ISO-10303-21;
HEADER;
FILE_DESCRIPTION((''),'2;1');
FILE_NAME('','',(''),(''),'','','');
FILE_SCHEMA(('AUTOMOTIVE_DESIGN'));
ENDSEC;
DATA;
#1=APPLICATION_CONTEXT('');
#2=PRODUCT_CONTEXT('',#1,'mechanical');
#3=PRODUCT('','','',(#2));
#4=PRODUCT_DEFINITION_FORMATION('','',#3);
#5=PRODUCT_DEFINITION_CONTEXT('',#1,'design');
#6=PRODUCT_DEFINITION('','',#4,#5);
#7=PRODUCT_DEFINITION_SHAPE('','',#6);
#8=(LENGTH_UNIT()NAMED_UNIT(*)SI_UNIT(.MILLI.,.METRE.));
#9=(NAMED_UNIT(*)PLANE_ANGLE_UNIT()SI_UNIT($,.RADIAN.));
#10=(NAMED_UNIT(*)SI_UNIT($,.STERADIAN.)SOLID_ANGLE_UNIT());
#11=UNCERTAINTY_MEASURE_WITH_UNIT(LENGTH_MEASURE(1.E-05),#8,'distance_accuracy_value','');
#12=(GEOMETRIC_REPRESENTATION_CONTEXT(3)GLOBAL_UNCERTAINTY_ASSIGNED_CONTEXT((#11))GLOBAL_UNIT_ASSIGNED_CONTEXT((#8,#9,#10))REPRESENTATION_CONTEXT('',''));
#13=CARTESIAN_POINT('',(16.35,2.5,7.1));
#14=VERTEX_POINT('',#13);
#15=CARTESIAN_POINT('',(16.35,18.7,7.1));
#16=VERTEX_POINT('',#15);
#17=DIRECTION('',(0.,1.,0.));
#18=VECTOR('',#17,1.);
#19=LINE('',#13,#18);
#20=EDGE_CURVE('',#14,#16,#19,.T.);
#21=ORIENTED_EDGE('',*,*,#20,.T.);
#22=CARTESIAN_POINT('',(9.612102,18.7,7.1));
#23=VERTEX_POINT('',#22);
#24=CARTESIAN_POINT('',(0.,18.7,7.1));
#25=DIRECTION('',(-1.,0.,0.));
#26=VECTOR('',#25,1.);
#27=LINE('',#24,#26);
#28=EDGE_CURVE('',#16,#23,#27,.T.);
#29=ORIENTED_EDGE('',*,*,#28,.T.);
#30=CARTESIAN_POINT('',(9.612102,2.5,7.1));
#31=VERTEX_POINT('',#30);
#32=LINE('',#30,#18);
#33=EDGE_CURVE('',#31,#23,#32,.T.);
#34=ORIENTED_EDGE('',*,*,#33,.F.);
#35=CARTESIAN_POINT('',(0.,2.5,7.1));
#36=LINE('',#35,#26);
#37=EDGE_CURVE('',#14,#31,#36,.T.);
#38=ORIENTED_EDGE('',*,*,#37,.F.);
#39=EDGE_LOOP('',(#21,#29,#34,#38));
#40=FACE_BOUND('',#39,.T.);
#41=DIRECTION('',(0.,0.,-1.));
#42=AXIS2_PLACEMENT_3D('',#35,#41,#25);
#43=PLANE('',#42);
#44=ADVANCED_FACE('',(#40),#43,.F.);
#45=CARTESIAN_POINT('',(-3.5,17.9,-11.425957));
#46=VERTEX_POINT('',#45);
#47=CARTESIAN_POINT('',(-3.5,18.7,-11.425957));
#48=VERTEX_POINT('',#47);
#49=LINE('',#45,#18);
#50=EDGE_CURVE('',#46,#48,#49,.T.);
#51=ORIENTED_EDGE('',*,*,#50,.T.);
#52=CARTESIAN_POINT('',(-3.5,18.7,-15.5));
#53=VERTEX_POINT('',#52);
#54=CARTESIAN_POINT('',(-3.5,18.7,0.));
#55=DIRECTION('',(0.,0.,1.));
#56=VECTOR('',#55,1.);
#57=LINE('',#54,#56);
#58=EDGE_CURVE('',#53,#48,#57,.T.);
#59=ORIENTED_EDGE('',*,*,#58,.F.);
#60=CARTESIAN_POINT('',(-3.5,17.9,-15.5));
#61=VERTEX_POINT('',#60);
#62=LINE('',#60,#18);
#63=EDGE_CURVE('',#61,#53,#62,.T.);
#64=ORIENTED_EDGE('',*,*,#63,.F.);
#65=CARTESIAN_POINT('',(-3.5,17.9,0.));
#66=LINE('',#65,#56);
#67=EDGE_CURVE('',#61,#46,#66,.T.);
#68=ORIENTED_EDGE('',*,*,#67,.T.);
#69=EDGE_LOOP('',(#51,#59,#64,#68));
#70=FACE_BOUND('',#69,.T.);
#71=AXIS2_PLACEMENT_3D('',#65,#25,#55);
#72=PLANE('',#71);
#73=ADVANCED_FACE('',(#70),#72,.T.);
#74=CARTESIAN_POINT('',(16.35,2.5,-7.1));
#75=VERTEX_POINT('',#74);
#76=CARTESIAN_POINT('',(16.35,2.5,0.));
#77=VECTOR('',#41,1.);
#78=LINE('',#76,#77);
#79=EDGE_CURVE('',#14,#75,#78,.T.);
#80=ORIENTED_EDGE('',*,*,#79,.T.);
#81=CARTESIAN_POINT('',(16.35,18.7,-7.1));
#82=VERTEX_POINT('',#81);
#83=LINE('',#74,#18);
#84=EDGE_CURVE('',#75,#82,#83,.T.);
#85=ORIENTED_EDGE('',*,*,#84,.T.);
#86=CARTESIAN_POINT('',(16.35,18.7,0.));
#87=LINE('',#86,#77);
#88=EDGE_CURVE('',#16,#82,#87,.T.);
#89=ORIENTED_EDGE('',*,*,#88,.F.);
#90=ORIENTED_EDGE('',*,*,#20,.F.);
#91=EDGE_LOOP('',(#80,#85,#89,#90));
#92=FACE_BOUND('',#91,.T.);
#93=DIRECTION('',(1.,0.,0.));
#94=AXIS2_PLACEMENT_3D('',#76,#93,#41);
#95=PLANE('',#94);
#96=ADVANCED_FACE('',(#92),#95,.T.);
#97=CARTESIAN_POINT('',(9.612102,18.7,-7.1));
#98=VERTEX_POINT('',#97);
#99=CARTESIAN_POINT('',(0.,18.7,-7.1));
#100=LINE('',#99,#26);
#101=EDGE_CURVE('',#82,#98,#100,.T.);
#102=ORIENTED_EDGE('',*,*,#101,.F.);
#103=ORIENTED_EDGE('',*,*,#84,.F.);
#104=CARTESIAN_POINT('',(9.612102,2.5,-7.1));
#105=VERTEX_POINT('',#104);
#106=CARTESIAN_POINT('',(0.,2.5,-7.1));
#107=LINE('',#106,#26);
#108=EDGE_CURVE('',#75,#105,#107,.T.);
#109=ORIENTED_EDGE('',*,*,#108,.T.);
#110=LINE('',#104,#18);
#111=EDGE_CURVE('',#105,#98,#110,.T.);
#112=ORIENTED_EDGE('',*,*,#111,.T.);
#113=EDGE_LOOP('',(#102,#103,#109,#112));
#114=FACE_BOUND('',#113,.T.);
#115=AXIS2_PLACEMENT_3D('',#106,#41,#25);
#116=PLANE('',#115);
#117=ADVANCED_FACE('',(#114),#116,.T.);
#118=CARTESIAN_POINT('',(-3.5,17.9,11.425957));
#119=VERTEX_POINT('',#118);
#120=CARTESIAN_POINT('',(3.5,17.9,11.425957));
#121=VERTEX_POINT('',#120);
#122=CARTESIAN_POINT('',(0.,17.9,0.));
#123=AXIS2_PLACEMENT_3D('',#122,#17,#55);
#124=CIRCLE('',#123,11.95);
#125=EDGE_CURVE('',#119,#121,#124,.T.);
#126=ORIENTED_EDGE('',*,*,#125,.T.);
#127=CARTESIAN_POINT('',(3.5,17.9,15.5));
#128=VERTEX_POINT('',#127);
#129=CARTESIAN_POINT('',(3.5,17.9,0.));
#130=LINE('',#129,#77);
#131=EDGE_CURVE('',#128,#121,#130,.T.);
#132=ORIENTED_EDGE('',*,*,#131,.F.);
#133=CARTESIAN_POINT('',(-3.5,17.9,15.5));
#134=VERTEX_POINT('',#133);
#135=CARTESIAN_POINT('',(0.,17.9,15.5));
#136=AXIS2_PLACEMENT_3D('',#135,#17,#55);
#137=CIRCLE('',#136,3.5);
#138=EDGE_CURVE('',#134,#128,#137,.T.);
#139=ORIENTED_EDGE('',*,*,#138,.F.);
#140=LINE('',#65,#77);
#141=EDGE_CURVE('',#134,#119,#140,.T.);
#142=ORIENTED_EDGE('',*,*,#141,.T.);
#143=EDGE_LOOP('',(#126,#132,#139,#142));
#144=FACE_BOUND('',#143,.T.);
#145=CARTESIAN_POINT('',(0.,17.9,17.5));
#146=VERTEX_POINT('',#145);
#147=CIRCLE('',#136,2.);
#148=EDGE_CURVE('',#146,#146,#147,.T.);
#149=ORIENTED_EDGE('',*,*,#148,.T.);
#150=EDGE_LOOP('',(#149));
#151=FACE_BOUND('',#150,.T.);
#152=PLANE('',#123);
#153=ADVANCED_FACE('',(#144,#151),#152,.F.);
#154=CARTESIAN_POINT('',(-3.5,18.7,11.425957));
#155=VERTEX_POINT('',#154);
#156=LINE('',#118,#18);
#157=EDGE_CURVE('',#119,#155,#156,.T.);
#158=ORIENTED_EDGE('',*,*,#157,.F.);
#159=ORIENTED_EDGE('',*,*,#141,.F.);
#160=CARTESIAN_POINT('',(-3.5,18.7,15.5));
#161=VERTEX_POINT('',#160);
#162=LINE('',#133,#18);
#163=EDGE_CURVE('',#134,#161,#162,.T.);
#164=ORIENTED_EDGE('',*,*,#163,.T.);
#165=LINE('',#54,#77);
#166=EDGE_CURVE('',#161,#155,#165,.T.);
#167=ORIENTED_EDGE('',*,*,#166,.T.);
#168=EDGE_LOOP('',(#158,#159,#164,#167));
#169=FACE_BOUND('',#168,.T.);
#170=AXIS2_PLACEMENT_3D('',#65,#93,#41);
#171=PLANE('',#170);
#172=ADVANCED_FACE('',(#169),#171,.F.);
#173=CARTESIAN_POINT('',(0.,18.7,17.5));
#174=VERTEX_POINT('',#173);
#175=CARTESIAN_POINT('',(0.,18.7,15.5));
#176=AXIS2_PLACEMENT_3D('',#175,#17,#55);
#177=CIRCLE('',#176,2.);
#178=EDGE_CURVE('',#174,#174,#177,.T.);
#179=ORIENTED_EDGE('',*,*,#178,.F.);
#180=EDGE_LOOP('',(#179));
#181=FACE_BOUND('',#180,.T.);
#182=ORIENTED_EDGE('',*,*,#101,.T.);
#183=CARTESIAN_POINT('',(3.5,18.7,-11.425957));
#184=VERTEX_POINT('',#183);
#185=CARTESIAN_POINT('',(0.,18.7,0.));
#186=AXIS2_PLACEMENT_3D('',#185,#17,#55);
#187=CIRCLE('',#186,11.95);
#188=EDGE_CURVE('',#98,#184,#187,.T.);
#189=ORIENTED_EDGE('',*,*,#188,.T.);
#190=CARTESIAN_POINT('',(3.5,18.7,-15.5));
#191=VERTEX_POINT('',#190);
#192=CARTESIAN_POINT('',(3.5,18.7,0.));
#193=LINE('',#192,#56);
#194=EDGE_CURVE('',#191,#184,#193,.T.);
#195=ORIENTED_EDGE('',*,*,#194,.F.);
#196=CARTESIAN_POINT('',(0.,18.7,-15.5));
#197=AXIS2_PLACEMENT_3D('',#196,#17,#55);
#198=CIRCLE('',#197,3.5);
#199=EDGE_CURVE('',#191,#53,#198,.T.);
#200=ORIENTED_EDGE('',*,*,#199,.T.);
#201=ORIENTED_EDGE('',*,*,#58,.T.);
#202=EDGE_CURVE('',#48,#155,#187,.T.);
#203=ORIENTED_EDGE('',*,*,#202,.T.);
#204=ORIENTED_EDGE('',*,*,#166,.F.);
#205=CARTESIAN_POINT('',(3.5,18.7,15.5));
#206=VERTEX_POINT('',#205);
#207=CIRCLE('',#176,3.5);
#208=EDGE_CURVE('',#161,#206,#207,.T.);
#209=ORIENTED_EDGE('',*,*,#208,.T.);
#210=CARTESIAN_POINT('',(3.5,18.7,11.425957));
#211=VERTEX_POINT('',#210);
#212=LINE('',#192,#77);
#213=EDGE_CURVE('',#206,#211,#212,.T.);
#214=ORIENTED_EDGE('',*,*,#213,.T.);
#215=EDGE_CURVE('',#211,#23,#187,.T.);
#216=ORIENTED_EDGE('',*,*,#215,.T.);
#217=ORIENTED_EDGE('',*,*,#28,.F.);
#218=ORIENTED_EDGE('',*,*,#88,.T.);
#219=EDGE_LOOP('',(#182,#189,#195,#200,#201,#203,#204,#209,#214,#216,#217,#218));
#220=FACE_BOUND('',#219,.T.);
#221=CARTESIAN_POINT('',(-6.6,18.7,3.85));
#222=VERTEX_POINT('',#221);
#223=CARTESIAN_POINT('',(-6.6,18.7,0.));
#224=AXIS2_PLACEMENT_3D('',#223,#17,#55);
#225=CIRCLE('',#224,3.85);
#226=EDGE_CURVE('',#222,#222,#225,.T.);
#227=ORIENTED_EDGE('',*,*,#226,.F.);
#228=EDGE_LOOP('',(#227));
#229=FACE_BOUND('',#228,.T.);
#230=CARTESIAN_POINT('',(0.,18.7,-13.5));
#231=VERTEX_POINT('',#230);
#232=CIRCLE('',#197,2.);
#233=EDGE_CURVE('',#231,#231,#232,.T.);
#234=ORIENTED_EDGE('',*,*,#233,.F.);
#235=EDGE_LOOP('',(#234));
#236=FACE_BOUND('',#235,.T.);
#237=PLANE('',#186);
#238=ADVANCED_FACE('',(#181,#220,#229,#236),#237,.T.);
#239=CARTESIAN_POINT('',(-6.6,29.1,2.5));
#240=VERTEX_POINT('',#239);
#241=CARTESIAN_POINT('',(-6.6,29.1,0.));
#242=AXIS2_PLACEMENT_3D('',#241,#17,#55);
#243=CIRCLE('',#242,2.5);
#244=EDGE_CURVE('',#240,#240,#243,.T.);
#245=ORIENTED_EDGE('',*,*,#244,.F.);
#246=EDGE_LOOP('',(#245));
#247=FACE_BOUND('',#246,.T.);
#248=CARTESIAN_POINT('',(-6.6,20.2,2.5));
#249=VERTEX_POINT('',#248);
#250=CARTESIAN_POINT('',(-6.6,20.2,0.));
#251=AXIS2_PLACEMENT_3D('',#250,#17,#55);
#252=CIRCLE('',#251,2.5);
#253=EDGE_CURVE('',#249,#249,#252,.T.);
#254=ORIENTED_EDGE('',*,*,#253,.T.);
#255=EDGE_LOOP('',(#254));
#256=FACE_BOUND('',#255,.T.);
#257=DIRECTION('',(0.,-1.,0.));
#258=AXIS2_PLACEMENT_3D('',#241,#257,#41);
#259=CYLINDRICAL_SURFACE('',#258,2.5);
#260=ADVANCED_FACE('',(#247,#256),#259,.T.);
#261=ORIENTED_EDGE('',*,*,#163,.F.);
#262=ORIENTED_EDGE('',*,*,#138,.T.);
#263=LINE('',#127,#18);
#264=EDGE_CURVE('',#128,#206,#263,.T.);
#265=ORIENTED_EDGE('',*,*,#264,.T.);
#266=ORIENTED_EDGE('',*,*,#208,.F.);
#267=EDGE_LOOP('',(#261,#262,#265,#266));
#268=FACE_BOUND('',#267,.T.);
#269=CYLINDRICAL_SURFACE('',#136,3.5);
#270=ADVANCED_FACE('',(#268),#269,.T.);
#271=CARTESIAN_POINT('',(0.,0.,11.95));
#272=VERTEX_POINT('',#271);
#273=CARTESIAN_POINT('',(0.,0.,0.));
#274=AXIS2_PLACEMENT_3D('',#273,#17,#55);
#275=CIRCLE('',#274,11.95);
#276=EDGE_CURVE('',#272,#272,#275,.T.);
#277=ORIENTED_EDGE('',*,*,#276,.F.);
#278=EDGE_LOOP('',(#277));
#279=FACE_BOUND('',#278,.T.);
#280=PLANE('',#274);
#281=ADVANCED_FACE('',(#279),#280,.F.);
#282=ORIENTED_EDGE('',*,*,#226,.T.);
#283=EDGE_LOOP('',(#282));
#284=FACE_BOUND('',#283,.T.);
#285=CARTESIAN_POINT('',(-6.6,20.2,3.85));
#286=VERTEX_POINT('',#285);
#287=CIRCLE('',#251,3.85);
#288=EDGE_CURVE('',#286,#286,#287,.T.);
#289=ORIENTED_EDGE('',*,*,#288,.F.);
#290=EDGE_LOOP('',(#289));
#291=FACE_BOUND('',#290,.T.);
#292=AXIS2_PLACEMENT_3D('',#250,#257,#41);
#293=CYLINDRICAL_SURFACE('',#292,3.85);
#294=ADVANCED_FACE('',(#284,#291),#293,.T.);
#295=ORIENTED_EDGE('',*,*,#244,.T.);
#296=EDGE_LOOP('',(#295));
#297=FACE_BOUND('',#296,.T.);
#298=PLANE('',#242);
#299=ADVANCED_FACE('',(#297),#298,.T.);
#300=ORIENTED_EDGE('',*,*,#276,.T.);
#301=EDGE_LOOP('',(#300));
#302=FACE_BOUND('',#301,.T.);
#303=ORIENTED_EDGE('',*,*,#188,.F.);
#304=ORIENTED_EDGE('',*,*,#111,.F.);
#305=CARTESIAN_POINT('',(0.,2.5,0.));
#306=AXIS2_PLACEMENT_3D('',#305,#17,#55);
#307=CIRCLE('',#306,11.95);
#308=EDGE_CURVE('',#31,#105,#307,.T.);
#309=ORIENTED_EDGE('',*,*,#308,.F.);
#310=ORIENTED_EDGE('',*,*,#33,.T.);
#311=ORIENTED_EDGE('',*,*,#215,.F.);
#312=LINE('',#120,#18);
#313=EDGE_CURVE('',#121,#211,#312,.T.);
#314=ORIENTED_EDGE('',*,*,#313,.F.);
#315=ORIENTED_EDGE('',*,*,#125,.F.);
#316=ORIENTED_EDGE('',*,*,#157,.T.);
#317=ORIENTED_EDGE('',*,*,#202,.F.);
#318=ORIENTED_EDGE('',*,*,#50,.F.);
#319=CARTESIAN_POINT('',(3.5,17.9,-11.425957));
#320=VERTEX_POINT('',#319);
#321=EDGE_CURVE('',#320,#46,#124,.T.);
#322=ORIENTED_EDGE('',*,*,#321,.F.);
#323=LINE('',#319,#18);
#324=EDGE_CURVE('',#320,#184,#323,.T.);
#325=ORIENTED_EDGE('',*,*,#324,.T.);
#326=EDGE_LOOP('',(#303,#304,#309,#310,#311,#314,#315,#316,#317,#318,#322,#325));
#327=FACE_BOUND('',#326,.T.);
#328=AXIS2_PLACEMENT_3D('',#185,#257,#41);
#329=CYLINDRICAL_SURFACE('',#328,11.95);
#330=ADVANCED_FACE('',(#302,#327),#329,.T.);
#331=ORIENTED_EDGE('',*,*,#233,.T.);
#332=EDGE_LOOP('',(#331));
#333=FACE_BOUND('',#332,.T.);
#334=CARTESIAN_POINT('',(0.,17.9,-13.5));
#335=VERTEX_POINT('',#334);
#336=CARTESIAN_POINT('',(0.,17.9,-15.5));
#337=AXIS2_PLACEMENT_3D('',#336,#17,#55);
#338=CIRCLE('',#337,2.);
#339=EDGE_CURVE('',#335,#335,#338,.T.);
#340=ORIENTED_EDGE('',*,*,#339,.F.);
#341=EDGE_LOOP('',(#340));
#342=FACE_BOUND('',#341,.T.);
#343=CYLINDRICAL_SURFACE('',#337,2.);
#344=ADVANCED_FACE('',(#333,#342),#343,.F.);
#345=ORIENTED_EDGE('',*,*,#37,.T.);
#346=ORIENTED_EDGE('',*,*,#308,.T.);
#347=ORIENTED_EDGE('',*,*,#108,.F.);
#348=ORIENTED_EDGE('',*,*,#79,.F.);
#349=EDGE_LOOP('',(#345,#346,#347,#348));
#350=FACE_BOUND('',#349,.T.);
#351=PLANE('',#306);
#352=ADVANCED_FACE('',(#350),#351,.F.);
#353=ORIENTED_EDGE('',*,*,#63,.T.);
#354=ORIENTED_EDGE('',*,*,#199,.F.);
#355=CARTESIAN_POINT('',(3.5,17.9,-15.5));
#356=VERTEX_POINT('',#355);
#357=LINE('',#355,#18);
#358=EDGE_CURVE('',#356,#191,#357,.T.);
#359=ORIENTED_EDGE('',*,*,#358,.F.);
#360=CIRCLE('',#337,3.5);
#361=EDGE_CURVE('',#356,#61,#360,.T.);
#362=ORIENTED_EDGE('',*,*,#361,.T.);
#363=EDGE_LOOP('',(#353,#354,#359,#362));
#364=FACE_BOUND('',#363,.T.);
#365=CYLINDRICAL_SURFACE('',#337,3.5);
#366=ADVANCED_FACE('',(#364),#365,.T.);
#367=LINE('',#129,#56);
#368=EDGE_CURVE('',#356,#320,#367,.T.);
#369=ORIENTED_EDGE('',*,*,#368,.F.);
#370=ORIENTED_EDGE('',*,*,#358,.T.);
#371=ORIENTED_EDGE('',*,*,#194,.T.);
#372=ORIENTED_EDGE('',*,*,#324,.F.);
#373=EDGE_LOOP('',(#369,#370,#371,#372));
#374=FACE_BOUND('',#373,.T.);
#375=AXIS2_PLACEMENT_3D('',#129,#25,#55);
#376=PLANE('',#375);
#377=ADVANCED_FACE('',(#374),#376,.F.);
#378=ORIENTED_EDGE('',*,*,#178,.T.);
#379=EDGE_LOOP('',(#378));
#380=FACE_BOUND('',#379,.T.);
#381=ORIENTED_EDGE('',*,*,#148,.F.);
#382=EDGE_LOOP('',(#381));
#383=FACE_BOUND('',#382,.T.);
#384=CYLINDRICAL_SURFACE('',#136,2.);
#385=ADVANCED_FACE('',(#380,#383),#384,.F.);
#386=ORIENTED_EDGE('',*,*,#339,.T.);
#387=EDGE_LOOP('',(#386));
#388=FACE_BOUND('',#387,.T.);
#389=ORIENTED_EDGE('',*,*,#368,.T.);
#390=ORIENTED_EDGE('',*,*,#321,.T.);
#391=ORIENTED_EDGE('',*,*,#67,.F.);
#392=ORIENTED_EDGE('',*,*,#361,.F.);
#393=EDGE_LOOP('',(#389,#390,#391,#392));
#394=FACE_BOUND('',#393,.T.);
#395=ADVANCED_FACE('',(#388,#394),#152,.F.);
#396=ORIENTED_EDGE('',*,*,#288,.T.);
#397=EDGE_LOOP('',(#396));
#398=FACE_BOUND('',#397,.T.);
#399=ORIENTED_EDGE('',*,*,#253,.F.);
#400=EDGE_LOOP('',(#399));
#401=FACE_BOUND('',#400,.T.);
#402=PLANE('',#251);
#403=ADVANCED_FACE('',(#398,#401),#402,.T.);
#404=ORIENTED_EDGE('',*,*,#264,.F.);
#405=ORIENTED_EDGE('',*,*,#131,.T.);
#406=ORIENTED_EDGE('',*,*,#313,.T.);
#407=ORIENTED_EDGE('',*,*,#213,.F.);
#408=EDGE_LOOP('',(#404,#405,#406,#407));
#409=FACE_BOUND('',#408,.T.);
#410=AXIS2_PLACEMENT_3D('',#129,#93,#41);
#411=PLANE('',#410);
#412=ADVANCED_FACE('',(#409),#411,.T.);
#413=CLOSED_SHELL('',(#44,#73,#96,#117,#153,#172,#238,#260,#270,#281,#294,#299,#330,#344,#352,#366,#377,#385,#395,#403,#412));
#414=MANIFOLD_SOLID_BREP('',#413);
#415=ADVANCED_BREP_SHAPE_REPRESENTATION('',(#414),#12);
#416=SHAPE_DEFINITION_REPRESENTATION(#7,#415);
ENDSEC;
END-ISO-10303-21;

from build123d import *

# Parameters (mm, degrees)
SKETCH_1_R       = 11.95
EXTRUDE_1_DEPTH  = 18.7
EXTRUDE_START    = -16.2
EXTRUDE_8_DEPTH  = 16.2
EXTRUDE_START_2  = -0.8
SKETCH_3_R       = 2
EXTRUDE_9_DEPTH  = 0.8
SKETCH_4_R       = 3.85
EXTRUDE_10_DEPTH = 1.5
SKETCH_5_R       = 2.5
EXTRUDE_11_DEPTH = 8.9


with BuildPart() as part:
    # 草图1 → 凸台-拉伸1 (new body)
    with BuildSketch(Plane(origin=(0, 0, 0), x_dir=(1, 0, 0), z_dir=(0, 1, 0))):
        with Locations(Location((0, 0, 0), (0, 0, 270))):
            Circle(SKETCH_1_R)
    extrude(amount=EXTRUDE_1_DEPTH)

    # 草图2 → 凸台-拉伸8 (add)
    with BuildSketch(Plane(origin=(0, 18.7, 0), x_dir=(1, 0, 0), z_dir=(0, 1, 0)).offset(EXTRUDE_START)):
        with BuildLine():
            ThreePointArc((9.612101747, 7.1), (11.350487123, 3.737504791), (11.95, 0))
            Line((11.95, 0), (16.35, 0))
            Line((16.35, 0), (16.35, 7.1))
            Line((16.35, 7.1), (9.612101747, 7.1))
        make_face()
        with BuildLine():
            Line((16.35, 0), (11.95, 0))
            ThreePointArc((11.95, 0), (11.350487123, -3.737504791), (9.612101747, -7.1))
            Line((9.612101747, -7.1), (16.35, -7.1))
            Line((16.35, -7.1), (16.35, 0))
        make_face()
    extrude(amount=EXTRUDE_8_DEPTH)

    # 草图3 → 凸台-拉伸9 (add)
    # profile 1 of 2: a face of its own
    with BuildSketch(Plane(origin=(0, 18.7, 0), x_dir=(1, 0, 0), z_dir=(0, 1, 0)).offset(EXTRUDE_START_2)):
        with BuildLine():
            Line((-3.5, 15.5), (-3.5, 11.42595729))
            ThreePointArc((-3.5, 11.42595729), (0, 11.95), (3.5, 11.42595729))
            Line((3.5, 11.42595729), (3.5, 15.5))
            ThreePointArc((3.5, 15.5), (0, 19), (-3.5, 15.5))
        make_face()
        with Locations(Location((0, 15.5, 0), (0, 0, 270))):
            Circle(SKETCH_3_R, mode=Mode.SUBTRACT)
    # profile 2 of 2: a face of its own
    with BuildSketch(Plane(origin=(0, 18.7, 0), x_dir=(1, 0, 0), z_dir=(0, 1, 0)).offset(EXTRUDE_START_2)):
        with BuildLine():
            Line((-3.5, -15.5), (-3.5, -11.42595729))
            ThreePointArc((-3.5, -11.42595729), (0, -11.95), (3.5, -11.42595729))
            Line((3.5, -11.42595729), (3.5, -15.5))
            ThreePointArc((3.5, -15.5), (0, -19), (-3.5, -15.5))
        make_face()
        with Locations(Location((0, -15.5, 0), (0, 0, 270))):
            Circle(SKETCH_3_R, mode=Mode.SUBTRACT)
    extrude(amount=EXTRUDE_9_DEPTH)

    # 草图4 → 凸台-拉伸10 (add)
    with BuildSketch(Plane(origin=(0, 18.7, 0), x_dir=(1, 0, 0), z_dir=(0, 1, 0))):
        with Locations(Location((-6.6, 0, 0), (0, 0, 270))):
            Circle(SKETCH_4_R)
    extrude(amount=EXTRUDE_10_DEPTH)

    # 草图5 → 凸台-拉伸11 (add)
    with BuildSketch(Plane(origin=(0, 20.2, 0), x_dir=(1, 0, 0), z_dir=(0, 1, 0))):
        with Locations(Location((-6.6, 0, 0), (0, 0, 270))):
            Circle(SKETCH_5_R)
    extrude(amount=EXTRUDE_11_DEPTH)


solid = part.part
